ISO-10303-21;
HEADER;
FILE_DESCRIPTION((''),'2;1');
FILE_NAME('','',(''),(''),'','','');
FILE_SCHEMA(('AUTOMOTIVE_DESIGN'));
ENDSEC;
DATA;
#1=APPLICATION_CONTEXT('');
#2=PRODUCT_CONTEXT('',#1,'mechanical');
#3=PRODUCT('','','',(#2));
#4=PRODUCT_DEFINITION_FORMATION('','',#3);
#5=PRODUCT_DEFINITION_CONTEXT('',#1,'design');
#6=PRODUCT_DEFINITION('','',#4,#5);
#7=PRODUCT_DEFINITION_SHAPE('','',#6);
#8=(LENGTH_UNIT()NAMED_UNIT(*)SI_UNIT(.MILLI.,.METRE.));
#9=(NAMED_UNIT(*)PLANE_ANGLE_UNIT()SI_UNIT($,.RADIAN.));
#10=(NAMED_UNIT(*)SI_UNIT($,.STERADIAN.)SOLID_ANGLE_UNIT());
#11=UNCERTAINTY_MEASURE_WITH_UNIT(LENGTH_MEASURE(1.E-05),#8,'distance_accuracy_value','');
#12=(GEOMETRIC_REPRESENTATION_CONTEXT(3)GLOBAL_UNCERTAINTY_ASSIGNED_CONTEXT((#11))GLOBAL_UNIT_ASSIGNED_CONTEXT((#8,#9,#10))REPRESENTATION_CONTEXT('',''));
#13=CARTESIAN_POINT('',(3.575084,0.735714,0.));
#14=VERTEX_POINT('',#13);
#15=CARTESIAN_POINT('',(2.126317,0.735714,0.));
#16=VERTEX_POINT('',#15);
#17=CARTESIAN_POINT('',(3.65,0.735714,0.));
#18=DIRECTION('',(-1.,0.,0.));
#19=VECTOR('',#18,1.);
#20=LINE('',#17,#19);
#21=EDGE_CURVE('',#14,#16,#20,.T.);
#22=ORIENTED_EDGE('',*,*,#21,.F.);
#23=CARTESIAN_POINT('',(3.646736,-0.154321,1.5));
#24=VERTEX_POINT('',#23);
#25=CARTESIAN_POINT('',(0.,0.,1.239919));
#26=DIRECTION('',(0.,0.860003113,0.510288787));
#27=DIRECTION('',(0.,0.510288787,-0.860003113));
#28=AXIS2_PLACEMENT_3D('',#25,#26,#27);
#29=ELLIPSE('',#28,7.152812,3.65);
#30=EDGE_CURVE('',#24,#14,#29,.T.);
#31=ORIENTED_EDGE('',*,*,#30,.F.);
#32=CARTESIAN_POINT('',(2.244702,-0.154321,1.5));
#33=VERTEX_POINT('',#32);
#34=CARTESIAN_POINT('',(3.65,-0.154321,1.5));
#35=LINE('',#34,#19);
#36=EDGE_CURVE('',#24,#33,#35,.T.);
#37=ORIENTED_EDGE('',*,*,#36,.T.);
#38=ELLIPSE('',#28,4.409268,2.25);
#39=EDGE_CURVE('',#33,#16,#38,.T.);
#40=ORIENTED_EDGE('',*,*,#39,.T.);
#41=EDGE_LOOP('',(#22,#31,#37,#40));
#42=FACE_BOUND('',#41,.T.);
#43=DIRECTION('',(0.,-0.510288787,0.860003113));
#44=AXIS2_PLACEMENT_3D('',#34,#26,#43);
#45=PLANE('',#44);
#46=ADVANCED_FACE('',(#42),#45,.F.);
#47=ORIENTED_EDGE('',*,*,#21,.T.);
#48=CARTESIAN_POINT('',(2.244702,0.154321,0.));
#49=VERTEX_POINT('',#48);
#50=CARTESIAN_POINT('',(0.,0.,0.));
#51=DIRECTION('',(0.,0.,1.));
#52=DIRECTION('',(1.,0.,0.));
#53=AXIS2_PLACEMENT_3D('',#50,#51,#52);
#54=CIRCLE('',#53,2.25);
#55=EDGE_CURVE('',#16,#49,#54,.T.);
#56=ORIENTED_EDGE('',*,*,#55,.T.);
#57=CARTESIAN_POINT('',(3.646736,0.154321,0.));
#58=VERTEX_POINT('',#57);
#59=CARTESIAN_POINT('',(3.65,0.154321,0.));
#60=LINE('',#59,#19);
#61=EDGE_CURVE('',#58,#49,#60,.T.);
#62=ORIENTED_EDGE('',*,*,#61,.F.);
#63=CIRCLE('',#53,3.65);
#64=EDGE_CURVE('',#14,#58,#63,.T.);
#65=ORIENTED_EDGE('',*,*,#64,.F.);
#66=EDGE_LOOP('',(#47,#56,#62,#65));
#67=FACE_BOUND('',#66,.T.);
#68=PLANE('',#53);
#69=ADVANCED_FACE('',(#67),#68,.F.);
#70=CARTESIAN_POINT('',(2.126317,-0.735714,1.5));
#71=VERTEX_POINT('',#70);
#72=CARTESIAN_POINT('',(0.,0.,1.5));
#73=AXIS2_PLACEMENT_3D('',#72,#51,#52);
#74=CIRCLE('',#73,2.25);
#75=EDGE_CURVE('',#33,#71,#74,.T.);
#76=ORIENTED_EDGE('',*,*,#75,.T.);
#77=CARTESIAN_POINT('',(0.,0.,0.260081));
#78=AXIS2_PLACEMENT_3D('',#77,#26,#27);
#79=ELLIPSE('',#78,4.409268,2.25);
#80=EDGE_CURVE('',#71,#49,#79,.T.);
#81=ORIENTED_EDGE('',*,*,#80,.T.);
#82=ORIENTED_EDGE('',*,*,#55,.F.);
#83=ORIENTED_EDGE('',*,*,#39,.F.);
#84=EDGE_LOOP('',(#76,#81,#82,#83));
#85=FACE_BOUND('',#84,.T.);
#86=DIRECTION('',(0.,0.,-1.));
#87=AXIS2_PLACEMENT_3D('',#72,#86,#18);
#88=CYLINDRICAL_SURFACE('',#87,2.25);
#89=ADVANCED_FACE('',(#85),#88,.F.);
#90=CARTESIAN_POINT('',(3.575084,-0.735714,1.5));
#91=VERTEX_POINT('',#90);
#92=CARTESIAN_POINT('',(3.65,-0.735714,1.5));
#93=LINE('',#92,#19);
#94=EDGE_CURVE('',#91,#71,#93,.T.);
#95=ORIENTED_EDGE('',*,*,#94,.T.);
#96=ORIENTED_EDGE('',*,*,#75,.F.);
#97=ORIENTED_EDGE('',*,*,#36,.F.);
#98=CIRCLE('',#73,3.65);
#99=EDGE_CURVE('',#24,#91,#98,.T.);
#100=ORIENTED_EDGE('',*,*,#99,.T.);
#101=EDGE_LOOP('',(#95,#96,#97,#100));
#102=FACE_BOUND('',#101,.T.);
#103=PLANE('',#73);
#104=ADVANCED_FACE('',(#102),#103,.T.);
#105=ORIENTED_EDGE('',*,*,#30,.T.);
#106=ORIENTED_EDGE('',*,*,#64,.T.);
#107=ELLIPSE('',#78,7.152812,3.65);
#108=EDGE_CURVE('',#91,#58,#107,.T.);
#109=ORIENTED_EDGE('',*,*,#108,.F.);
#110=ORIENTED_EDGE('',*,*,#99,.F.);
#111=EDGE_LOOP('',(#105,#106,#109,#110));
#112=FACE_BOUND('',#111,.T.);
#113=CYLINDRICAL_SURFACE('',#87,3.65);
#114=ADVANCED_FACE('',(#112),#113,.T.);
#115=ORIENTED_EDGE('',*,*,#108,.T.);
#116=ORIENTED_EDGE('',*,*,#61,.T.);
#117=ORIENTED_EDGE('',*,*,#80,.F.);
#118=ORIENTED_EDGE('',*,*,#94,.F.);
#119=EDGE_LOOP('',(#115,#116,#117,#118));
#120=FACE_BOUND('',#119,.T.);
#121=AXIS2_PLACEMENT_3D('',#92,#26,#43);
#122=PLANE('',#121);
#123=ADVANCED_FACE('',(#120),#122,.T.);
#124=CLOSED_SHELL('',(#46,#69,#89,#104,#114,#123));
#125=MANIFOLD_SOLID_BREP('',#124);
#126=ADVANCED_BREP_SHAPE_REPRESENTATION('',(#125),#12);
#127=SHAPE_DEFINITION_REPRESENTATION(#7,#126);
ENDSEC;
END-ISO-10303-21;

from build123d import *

# Parameters (mm, degrees)
ESQUISSE1_R             = 3.65
ESQUISSE1_R_2           = 2.25
BASE_EXTRUSION_DEPTH    = 1.5
ENL_V_MAT_EXTRU_1_DEPTH = 6.375406961


with BuildPart() as part:
    # Esquisse1 → Base-Extrusion (new body)
    with BuildSketch(Plane.XY):
        Circle(ESQUISSE1_R)
        Circle(ESQUISSE1_R_2, mode=Mode.SUBTRACT)
    extrude(amount=BASE_EXTRUSION_DEPTH)

    # Esquisse2 → Enlèv. mat.-Extru.1 (cut, through all)
    with BuildSketch(Plane(origin=(0, 0, 0), x_dir=(0, 0, -1), z_dir=(1, 0, 0))):
        Polygon((-1.5, -0.154321058), (0, 0.735714302), (0, 0.154321058), (-1.5, -0.735714302), align=None)
    extrude(amount=ENL_V_MAT_EXTRU_1_DEPTH, mode=Mode.SUBTRACT)


solid = part.part
